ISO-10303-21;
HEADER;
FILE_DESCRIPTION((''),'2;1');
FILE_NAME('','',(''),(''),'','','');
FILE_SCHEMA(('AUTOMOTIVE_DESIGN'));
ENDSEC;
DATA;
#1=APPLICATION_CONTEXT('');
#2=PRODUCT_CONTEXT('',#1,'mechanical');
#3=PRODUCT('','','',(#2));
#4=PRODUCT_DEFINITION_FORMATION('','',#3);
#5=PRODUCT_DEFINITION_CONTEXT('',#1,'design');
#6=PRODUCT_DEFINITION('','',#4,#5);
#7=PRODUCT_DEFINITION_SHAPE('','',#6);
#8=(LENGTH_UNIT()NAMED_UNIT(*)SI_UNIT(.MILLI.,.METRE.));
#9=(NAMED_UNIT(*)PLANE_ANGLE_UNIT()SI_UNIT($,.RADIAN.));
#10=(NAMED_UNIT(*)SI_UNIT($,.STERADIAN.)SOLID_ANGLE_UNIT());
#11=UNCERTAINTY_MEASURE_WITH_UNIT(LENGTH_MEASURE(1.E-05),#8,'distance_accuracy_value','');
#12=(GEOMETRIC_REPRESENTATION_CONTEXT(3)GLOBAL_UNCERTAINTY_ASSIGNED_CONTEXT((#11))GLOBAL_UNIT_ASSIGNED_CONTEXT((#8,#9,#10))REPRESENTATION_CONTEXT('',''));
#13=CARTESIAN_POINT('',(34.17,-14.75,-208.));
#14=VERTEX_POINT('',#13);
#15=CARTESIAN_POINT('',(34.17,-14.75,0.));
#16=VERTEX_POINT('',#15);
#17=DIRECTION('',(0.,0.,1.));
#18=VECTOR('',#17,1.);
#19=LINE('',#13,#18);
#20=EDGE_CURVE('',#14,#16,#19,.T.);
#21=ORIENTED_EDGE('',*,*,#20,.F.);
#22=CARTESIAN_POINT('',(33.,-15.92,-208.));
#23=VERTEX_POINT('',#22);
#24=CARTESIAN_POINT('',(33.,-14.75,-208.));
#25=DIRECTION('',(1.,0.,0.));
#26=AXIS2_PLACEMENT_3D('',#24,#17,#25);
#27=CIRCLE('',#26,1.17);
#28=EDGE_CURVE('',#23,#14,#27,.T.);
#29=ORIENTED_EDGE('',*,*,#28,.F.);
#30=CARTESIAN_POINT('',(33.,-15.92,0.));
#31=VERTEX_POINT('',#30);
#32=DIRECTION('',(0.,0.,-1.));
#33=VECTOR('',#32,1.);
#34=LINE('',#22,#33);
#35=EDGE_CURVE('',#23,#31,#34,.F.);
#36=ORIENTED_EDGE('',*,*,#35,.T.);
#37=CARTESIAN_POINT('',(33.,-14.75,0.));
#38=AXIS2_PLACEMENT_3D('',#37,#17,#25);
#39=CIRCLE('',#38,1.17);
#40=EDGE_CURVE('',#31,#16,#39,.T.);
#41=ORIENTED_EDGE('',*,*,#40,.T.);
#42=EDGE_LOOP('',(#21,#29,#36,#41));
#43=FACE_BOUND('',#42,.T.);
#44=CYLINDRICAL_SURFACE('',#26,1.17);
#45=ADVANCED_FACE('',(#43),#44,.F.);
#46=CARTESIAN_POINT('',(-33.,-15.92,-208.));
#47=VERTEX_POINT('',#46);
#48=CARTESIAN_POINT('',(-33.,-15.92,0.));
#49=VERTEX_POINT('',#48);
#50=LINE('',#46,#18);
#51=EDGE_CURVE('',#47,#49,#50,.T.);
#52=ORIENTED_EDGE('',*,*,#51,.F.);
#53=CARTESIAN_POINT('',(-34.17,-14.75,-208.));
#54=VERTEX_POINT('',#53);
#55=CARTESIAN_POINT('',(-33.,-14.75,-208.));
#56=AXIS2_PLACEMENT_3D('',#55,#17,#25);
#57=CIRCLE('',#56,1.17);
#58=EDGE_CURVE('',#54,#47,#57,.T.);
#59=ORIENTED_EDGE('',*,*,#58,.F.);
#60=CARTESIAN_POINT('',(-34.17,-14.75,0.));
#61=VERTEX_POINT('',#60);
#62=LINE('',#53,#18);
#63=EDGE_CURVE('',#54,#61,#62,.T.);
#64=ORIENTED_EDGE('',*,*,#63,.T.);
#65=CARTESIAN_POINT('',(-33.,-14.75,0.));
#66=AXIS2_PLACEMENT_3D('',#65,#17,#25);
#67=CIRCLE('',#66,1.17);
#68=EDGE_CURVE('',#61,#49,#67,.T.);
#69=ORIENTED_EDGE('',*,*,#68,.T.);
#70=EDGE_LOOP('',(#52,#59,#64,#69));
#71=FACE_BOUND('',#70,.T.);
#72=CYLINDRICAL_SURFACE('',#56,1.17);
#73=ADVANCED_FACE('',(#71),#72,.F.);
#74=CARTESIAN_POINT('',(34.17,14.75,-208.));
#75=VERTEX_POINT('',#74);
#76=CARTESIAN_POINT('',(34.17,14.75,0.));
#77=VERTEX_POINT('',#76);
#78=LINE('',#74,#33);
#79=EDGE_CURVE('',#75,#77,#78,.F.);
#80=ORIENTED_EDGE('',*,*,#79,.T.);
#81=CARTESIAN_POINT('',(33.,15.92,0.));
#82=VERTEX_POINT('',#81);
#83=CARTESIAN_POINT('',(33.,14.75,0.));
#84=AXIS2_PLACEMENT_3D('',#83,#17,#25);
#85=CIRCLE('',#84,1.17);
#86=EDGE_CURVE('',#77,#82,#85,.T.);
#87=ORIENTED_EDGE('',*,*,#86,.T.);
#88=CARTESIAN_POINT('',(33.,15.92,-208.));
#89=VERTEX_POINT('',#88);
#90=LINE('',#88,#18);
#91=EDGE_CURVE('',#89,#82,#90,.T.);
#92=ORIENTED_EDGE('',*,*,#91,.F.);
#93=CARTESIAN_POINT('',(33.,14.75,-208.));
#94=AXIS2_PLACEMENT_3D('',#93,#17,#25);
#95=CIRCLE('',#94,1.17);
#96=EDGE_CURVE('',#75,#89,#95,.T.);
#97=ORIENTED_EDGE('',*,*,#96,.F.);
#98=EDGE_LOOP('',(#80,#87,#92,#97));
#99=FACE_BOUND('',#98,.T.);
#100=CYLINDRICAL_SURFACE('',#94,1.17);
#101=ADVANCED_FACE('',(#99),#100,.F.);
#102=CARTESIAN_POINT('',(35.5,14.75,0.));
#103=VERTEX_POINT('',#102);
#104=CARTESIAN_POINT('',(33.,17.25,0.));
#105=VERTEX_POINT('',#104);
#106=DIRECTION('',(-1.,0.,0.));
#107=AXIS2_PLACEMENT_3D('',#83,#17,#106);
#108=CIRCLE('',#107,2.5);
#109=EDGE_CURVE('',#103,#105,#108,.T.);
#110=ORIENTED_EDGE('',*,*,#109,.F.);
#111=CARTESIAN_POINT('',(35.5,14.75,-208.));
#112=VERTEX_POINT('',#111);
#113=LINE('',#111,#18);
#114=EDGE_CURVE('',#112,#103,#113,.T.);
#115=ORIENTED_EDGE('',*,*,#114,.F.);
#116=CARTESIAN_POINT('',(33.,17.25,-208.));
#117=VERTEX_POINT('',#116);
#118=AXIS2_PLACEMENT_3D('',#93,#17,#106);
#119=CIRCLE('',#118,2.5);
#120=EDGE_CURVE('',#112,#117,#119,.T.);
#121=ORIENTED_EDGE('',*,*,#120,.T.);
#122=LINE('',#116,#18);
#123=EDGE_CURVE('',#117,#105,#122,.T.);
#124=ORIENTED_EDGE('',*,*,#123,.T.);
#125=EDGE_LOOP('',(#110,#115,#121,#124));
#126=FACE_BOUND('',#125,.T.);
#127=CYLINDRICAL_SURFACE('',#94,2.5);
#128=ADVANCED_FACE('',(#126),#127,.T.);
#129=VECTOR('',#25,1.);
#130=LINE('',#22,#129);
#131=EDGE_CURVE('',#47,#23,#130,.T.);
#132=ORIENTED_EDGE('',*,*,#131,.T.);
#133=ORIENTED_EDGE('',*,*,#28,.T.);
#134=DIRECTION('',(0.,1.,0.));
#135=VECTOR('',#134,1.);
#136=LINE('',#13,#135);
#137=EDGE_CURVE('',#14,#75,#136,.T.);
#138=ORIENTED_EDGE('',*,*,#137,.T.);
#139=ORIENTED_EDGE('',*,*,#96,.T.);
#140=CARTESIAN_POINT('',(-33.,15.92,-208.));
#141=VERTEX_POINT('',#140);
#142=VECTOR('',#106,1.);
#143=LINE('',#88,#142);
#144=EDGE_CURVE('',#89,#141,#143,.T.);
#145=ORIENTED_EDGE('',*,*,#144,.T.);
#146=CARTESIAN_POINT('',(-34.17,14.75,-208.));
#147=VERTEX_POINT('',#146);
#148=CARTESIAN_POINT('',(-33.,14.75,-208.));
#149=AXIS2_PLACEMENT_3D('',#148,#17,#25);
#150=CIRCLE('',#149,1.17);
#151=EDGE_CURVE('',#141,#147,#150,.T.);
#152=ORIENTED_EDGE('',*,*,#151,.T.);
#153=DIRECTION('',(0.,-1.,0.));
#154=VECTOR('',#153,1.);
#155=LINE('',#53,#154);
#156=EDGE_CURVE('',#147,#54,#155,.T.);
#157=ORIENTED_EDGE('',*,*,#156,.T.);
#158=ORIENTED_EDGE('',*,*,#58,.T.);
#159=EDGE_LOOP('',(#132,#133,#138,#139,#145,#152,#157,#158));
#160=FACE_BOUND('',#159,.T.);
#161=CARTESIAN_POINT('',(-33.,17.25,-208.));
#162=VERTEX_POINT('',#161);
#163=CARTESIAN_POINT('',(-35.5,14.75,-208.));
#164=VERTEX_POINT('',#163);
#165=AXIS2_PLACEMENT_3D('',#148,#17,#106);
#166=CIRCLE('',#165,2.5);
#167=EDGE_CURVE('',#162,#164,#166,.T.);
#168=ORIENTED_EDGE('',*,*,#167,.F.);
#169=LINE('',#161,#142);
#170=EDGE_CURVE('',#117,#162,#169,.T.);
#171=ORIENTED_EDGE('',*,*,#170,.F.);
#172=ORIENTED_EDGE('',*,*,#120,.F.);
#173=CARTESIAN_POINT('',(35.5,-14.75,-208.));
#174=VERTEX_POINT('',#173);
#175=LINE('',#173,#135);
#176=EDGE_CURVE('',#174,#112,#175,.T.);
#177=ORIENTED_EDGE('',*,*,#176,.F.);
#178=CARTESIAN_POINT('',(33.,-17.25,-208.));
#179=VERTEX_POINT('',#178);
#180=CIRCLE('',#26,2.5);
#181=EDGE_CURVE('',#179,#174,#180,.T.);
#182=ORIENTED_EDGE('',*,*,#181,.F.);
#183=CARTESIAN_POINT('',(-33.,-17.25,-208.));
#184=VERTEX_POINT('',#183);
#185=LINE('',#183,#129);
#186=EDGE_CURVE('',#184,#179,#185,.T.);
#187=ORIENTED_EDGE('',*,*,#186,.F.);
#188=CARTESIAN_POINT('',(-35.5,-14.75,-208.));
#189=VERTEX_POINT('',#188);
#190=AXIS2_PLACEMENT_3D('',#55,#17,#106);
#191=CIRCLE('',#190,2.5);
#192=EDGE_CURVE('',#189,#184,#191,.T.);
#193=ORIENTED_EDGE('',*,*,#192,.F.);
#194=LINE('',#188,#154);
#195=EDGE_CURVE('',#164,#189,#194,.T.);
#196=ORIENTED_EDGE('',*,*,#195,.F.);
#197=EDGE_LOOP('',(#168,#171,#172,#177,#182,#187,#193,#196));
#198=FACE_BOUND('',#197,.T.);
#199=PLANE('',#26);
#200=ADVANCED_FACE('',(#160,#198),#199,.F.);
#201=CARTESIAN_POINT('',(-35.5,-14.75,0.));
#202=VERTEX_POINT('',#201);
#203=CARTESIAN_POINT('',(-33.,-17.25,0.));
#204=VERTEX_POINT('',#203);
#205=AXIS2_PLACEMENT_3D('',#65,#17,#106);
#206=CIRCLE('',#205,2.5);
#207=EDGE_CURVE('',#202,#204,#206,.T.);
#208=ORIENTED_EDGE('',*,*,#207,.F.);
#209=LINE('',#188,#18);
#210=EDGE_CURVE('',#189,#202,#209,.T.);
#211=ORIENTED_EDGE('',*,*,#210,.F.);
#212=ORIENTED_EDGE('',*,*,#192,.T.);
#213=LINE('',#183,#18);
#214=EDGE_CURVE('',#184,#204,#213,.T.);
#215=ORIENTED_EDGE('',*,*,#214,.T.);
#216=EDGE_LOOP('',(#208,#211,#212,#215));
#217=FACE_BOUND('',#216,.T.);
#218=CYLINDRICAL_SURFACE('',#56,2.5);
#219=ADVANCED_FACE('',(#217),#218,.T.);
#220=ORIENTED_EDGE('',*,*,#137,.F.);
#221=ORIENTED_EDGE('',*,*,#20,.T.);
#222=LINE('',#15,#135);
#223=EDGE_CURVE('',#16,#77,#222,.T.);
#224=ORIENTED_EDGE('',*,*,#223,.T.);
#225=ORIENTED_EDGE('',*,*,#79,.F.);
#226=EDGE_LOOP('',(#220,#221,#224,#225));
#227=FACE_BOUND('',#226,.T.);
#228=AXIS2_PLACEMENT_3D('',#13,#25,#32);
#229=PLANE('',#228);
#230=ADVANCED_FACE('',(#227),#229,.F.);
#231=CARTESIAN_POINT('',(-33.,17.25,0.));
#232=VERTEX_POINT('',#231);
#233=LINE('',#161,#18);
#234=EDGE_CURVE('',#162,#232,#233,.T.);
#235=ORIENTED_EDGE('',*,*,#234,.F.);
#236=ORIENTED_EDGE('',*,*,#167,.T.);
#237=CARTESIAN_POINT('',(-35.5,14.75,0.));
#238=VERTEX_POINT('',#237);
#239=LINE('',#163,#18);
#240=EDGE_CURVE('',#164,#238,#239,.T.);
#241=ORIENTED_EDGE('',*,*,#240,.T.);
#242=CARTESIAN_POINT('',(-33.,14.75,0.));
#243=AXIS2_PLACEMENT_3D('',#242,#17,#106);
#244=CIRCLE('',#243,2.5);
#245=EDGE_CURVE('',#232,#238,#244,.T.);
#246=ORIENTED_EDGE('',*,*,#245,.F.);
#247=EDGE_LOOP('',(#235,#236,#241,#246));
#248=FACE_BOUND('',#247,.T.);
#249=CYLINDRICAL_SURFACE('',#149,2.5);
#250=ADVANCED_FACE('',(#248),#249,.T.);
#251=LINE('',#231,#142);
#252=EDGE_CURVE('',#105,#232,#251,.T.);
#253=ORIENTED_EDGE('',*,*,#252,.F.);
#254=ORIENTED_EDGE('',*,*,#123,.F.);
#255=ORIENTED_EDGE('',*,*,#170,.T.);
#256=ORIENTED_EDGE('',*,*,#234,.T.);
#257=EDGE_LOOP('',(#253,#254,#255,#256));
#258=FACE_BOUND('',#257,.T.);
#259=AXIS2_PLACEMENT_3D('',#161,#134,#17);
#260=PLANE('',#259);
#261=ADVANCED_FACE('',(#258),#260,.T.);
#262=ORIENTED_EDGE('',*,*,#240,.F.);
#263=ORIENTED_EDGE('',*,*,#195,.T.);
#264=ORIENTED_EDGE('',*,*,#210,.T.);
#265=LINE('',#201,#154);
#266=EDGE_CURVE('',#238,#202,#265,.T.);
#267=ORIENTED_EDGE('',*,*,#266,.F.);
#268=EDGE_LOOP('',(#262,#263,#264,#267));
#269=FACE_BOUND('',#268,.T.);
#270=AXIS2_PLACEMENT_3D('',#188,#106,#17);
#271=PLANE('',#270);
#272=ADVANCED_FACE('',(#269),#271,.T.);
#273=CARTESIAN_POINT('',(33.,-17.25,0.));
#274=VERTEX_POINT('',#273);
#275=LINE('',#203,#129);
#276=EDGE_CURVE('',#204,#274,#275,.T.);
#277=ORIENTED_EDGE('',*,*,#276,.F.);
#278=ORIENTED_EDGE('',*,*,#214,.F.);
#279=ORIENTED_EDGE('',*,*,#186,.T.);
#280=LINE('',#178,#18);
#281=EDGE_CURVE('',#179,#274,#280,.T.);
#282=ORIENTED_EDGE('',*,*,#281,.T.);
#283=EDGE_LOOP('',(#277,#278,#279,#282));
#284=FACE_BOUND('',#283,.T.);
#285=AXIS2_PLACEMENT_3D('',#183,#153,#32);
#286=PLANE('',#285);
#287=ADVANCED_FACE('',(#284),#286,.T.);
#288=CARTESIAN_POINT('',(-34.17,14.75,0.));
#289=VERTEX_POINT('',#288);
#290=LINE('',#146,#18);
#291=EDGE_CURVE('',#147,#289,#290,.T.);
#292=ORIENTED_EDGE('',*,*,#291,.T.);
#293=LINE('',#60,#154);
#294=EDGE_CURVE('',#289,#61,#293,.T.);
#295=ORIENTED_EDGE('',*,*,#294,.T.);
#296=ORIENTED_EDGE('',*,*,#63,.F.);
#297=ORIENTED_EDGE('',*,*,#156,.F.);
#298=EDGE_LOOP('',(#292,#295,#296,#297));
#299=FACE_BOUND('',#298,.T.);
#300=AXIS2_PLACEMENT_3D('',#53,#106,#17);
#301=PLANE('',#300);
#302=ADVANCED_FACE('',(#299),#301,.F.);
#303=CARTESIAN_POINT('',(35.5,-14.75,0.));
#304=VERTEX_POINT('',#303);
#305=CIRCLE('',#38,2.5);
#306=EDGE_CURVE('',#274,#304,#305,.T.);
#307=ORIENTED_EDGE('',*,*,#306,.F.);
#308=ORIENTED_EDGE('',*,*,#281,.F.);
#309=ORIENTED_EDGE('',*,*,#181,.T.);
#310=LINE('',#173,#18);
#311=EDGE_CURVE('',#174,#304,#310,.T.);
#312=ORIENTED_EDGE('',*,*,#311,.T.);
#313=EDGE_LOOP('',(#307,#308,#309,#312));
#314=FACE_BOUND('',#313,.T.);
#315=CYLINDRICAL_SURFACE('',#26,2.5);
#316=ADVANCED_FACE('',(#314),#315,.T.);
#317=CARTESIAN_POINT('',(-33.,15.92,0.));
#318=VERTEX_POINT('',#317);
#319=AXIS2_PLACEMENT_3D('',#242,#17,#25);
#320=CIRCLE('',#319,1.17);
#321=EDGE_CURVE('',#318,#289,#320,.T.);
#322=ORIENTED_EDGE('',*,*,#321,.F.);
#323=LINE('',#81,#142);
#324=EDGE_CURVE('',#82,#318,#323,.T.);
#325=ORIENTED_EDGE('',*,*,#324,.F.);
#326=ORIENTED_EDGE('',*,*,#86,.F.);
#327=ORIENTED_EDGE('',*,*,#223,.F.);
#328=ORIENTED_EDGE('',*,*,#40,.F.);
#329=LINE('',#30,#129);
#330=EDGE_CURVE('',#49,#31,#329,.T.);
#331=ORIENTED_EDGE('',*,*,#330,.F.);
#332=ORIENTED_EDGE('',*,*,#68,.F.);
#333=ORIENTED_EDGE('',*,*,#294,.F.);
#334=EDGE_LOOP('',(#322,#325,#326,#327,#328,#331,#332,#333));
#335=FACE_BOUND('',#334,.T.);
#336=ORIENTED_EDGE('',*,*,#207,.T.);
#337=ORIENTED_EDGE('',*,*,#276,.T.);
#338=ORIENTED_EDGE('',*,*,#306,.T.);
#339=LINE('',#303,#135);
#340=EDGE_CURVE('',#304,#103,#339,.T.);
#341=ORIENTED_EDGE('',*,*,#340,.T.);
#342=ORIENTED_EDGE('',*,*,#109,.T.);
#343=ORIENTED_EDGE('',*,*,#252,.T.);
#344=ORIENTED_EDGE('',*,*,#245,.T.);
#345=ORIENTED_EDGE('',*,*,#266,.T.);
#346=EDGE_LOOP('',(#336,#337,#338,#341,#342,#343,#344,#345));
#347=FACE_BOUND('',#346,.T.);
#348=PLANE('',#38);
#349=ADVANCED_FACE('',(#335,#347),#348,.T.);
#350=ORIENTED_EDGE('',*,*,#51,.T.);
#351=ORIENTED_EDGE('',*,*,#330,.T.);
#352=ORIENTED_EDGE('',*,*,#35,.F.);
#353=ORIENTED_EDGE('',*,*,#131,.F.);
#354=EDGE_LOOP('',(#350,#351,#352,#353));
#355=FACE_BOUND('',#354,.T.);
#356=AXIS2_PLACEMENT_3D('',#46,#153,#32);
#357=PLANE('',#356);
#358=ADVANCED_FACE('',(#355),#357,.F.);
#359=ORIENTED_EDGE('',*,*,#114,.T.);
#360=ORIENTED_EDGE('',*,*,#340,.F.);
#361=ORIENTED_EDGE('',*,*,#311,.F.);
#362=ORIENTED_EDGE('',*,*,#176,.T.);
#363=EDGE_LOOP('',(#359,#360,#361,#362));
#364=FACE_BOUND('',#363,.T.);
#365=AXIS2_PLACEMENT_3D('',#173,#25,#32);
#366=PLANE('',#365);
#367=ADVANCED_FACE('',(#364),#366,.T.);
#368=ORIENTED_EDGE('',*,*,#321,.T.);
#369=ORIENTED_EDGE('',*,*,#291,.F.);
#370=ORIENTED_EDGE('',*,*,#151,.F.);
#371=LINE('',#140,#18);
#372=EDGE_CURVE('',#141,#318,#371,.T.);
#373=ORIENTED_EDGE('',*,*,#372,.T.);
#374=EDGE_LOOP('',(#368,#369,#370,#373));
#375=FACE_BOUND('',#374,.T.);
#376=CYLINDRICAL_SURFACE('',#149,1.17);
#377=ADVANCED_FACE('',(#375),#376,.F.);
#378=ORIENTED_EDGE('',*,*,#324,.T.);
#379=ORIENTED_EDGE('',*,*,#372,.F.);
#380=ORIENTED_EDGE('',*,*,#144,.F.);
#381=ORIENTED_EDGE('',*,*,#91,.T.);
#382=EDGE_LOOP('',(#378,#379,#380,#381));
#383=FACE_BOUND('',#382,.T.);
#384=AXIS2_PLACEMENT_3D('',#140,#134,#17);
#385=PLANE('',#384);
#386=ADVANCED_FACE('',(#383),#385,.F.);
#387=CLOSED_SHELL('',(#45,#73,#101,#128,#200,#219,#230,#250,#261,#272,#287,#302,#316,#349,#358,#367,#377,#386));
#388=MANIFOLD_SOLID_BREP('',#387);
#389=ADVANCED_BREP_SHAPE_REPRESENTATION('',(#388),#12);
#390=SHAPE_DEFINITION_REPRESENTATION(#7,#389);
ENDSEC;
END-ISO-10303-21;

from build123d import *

# Parameters (mm, degrees)
BOSS_EXTRUDE1_DEPTH = 208
SHELL1_T            = -1.33


with BuildPart() as part:
    # Sketch1 → Boss-Extrude1 (new body)
    with BuildSketch(Plane.XY):
        with BuildLine():
            Line((-33, -17.25), (33, -17.25))
            ThreePointArc((33, -17.25), (34.767766953, -16.517766953), (35.5, -14.75))
            Line((35.5, -14.75), (35.5, 14.75))
            ThreePointArc((35.5, 14.75), (34.767766953, 16.517766953), (33, 17.25))
            Line((33, 17.25), (-33, 17.25))
            ThreePointArc((-33, 17.25), (-34.767766953, 16.517766953), (-35.5, 14.75))
            Line((-35.5, 14.75), (-35.5, -14.75))
            ThreePointArc((-35.5, -14.75), (-34.767766953, -16.517766953), (-33, -17.25))
        make_face()
    extrude(amount=-BOSS_EXTRUDE1_DEPTH)

    # Shell1
    shell1_openings = [part.faces().sort_by_distance(p)[0] for p in [
        (0, 0, -208),
        (0, 0, 0),
    ]]
    offset(amount=SHELL1_T, openings=shell1_openings, kind=Kind.INTERSECTION)


solid = part.part
